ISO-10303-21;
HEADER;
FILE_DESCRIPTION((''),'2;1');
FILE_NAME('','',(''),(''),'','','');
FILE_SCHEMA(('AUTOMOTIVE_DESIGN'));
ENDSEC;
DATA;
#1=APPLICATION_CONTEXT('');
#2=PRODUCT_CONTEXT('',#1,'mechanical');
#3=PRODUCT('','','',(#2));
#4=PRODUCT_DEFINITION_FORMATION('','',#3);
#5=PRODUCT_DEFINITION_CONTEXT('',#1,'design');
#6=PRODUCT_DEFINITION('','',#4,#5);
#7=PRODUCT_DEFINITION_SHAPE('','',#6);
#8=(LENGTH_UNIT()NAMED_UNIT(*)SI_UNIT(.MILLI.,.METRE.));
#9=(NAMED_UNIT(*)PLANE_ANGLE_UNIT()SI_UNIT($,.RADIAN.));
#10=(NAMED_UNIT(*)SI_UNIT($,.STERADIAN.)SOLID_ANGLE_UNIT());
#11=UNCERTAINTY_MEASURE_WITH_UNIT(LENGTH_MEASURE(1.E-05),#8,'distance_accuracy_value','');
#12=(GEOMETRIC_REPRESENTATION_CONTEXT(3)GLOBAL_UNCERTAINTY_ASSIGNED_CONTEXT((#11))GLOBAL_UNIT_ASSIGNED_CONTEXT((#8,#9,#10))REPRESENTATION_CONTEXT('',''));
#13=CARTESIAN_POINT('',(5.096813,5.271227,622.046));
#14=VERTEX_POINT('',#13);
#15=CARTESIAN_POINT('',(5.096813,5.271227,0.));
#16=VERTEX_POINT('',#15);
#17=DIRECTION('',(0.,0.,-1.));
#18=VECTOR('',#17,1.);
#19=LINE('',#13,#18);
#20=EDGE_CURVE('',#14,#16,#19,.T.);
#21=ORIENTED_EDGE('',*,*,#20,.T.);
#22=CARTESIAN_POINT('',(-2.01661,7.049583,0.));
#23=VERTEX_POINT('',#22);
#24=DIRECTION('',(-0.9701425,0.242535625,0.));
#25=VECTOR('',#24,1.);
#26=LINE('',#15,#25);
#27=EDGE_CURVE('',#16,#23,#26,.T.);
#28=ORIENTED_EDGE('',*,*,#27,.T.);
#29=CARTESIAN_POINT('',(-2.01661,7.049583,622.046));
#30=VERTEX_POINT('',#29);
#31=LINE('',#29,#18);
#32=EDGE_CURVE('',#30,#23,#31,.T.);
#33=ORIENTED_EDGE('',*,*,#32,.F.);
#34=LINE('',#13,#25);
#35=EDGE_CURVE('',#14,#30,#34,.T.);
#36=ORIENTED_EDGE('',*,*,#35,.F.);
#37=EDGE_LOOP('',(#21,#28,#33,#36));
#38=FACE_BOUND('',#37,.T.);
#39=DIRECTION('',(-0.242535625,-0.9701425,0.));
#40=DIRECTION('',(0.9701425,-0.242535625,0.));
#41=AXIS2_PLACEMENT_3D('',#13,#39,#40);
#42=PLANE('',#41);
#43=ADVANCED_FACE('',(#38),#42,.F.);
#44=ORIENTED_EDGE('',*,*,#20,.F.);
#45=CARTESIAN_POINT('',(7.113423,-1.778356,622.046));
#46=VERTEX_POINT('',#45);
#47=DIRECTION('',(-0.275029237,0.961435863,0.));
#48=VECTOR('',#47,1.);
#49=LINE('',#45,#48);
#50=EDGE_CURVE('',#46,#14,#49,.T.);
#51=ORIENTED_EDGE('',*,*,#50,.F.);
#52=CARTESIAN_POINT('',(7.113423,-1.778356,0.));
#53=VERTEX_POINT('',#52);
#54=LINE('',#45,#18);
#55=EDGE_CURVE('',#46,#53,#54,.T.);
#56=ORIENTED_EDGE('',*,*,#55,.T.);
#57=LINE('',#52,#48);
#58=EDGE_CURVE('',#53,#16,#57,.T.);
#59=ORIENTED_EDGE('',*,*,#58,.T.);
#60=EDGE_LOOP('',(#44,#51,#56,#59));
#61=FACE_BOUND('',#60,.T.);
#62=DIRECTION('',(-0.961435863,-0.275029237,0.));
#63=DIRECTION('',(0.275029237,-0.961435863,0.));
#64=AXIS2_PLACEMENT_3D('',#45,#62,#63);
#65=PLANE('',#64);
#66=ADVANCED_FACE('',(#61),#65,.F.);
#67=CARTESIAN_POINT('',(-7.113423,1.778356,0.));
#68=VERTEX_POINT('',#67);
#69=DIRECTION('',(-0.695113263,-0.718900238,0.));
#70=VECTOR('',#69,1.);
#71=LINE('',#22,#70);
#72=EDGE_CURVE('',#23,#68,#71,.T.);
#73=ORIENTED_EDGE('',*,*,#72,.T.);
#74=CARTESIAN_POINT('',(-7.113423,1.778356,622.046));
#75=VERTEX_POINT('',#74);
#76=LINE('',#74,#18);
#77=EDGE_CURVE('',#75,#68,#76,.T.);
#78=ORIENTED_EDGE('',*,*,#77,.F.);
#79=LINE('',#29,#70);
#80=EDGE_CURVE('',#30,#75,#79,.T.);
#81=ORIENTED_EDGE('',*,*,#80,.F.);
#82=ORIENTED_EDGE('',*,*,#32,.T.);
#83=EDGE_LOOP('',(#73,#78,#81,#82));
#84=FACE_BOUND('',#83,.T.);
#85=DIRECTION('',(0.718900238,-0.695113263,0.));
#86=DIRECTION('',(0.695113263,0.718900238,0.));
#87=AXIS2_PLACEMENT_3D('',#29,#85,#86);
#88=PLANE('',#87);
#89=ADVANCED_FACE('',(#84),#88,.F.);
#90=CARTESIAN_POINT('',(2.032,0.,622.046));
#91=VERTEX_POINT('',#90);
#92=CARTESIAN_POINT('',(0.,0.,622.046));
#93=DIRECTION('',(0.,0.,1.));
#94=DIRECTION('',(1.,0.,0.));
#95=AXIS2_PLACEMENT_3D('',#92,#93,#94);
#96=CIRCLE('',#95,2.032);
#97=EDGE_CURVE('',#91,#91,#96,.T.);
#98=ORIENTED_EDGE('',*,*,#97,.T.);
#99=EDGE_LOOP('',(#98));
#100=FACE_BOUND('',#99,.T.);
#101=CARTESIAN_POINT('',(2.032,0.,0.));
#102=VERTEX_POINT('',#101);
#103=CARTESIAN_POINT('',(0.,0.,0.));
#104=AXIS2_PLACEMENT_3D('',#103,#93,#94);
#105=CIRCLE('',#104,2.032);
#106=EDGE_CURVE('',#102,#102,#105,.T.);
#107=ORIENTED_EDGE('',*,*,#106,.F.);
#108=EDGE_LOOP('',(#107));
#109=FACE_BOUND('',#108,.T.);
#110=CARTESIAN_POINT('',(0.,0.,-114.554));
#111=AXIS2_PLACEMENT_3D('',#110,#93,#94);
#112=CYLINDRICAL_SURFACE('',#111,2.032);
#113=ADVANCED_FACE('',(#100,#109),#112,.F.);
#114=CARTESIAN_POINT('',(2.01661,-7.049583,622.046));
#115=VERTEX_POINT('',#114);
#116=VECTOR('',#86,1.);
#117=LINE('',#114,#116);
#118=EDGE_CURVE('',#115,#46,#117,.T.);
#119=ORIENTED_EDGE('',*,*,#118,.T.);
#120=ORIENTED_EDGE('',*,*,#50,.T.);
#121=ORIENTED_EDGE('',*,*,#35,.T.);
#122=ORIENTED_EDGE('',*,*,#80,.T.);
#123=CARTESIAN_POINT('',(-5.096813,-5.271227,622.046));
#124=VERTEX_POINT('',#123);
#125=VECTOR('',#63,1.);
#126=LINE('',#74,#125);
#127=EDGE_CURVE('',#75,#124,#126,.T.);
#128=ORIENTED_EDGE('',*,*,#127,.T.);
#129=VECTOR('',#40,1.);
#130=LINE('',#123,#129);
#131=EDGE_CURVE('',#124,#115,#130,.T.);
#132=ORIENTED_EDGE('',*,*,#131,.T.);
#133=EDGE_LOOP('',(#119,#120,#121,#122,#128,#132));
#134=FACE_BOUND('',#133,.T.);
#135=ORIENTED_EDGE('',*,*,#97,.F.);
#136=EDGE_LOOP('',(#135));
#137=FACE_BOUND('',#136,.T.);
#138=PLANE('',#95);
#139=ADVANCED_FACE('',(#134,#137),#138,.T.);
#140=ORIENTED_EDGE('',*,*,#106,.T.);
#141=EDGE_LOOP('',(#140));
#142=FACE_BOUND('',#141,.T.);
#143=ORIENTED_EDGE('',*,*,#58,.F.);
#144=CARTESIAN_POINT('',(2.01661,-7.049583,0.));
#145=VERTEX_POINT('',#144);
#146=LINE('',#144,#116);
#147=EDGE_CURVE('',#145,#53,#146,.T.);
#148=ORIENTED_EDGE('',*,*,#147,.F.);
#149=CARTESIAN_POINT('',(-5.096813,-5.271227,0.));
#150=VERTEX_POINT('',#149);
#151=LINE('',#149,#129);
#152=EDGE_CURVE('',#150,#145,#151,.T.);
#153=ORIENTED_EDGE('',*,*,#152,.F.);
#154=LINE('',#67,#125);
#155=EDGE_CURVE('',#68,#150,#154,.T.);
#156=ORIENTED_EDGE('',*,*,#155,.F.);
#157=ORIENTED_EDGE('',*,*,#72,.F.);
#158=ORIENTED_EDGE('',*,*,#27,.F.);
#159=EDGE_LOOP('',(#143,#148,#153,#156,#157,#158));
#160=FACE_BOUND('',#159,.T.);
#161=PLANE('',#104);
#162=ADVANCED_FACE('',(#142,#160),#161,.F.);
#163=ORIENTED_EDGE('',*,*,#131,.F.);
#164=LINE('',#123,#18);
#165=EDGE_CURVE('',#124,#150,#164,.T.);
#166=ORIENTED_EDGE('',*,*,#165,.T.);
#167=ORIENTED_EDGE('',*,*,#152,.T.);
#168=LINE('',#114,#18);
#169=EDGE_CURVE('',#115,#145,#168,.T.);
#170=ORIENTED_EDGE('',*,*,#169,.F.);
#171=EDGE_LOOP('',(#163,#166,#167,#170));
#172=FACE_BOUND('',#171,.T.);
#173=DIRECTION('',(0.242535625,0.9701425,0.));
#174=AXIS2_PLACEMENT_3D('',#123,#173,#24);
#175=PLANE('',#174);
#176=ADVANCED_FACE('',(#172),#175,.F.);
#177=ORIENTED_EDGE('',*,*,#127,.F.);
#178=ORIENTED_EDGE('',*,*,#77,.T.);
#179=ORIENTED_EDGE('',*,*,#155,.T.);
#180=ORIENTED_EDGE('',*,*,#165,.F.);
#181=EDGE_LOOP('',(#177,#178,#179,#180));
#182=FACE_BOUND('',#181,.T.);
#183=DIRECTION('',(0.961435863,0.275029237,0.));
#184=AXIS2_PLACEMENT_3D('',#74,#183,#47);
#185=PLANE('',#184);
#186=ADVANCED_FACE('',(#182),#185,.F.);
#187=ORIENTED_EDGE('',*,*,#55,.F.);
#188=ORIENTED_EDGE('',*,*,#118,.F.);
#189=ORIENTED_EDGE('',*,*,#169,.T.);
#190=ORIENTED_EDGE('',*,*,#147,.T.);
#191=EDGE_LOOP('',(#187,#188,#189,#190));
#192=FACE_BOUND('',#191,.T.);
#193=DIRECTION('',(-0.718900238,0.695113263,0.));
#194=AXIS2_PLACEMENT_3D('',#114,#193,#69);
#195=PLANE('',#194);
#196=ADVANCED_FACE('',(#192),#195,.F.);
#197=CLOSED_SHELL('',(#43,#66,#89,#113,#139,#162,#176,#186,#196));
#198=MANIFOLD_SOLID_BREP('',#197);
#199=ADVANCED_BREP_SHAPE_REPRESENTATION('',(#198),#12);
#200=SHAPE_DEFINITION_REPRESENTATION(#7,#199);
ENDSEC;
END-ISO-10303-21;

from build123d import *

# Parameters (mm, degrees)
BOSS_EXTRUDE1_DEPTH = 622.046
SKETCH2_R           = 2.032
CUT_EXTRUDE1_DEPTH  = 736.6


with BuildPart() as part:
    # Sketch1 → Boss-Extrude1 (new body)
    with BuildSketch(Plane.XY):
        Polygon((-7.113422827, 1.778355707), (-5.096812632, -5.271227023), (2.016610194, -7.049582729), (7.113422827, -1.778355707), (5.096812632, 5.271227023), (-2.016610194, 7.049582729), align=None)
    extrude(amount=BOSS_EXTRUDE1_DEPTH)

    # Sketch2 → Cut-Extrude1 (cut)
    with BuildSketch(Plane.XY.offset(622.046)):
        Circle(SKETCH2_R)
    extrude(amount=-CUT_EXTRUDE1_DEPTH, mode=Mode.SUBTRACT)


solid = part.part
